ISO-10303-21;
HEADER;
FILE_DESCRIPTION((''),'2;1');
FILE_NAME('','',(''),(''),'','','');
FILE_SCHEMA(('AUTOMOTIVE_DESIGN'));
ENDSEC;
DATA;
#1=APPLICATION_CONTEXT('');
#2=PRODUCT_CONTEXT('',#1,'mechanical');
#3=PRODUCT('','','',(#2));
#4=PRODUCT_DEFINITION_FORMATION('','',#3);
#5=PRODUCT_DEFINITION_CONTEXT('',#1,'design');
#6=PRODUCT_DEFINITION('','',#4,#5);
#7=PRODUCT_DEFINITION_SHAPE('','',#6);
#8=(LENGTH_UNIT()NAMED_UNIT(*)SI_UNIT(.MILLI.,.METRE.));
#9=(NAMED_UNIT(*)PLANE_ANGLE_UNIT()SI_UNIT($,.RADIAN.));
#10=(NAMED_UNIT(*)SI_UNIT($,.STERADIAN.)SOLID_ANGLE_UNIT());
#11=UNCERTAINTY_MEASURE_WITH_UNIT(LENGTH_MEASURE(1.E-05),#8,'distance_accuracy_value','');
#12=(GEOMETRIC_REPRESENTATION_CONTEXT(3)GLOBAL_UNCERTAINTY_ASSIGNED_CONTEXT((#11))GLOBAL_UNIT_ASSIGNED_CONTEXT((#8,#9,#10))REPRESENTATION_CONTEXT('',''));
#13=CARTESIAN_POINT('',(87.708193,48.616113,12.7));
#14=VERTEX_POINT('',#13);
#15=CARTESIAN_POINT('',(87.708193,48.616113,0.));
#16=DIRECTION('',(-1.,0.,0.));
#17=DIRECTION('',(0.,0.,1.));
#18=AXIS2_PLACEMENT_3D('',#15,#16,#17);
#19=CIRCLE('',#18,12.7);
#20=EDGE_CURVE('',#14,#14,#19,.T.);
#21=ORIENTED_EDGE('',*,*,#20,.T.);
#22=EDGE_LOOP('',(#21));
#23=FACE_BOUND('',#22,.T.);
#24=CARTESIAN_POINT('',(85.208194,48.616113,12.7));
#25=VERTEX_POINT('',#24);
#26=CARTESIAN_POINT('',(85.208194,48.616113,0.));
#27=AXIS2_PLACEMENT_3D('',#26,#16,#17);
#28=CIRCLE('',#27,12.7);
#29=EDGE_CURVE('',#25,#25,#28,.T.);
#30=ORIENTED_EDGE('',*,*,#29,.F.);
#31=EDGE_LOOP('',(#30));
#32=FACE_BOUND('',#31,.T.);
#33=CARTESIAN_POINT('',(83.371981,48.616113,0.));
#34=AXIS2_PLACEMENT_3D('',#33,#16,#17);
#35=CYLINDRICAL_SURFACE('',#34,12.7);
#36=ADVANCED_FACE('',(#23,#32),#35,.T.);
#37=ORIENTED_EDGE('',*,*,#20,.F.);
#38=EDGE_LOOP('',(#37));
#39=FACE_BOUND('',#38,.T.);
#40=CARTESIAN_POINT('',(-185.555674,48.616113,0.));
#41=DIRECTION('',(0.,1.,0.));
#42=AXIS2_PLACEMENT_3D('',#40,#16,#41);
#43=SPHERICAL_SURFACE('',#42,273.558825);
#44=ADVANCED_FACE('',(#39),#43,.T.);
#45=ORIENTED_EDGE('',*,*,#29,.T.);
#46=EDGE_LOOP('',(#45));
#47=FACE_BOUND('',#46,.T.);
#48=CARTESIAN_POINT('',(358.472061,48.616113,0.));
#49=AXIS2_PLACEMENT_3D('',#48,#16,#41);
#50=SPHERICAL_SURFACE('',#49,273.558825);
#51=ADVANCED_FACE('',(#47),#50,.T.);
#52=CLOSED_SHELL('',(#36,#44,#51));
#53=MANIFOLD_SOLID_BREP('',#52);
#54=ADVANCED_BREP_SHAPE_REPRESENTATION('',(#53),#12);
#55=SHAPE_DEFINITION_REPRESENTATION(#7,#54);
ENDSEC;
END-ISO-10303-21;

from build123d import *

# Parameters (mm, degrees)
SKETCH_1_ONE_SIDE_W = 2.499998629
SKETCH_1_ONE_SIDE_H = 12.7


with BuildPart() as part:
    # 草图1 one side → 旋转1 (revolve)
    with BuildSketch(Plane.XY):
        with Locations((86.458193775, 54.966113023)):
            Rectangle(SKETCH_1_ONE_SIDE_W, SKETCH_1_ONE_SIDE_H)
        with BuildLine():
            Line((84.913235962, 48.616113023), (85.20819446, 48.616113023))
            Line((85.20819446, 48.616113023), (85.20819446, 61.316113023))
            ThreePointArc((85.20819446, 61.316113023), (84.986985528, 54.967825401), (84.913235962, 48.616113023))
        make_face()
        with BuildLine():
            Line((87.708193089, 48.616113023), (88.003151587, 48.616113023))
            ThreePointArc((88.003151587, 48.616113023), (87.929402021, 54.967825401), (87.708193089, 61.316113023))
            Line((87.708193089, 61.316113023), (87.708193089, 48.616113023))
        make_face()
    revolve(axis=Axis((83.371981052, 48.616113023, 0), (1, 0, 0)))


solid = part.part
